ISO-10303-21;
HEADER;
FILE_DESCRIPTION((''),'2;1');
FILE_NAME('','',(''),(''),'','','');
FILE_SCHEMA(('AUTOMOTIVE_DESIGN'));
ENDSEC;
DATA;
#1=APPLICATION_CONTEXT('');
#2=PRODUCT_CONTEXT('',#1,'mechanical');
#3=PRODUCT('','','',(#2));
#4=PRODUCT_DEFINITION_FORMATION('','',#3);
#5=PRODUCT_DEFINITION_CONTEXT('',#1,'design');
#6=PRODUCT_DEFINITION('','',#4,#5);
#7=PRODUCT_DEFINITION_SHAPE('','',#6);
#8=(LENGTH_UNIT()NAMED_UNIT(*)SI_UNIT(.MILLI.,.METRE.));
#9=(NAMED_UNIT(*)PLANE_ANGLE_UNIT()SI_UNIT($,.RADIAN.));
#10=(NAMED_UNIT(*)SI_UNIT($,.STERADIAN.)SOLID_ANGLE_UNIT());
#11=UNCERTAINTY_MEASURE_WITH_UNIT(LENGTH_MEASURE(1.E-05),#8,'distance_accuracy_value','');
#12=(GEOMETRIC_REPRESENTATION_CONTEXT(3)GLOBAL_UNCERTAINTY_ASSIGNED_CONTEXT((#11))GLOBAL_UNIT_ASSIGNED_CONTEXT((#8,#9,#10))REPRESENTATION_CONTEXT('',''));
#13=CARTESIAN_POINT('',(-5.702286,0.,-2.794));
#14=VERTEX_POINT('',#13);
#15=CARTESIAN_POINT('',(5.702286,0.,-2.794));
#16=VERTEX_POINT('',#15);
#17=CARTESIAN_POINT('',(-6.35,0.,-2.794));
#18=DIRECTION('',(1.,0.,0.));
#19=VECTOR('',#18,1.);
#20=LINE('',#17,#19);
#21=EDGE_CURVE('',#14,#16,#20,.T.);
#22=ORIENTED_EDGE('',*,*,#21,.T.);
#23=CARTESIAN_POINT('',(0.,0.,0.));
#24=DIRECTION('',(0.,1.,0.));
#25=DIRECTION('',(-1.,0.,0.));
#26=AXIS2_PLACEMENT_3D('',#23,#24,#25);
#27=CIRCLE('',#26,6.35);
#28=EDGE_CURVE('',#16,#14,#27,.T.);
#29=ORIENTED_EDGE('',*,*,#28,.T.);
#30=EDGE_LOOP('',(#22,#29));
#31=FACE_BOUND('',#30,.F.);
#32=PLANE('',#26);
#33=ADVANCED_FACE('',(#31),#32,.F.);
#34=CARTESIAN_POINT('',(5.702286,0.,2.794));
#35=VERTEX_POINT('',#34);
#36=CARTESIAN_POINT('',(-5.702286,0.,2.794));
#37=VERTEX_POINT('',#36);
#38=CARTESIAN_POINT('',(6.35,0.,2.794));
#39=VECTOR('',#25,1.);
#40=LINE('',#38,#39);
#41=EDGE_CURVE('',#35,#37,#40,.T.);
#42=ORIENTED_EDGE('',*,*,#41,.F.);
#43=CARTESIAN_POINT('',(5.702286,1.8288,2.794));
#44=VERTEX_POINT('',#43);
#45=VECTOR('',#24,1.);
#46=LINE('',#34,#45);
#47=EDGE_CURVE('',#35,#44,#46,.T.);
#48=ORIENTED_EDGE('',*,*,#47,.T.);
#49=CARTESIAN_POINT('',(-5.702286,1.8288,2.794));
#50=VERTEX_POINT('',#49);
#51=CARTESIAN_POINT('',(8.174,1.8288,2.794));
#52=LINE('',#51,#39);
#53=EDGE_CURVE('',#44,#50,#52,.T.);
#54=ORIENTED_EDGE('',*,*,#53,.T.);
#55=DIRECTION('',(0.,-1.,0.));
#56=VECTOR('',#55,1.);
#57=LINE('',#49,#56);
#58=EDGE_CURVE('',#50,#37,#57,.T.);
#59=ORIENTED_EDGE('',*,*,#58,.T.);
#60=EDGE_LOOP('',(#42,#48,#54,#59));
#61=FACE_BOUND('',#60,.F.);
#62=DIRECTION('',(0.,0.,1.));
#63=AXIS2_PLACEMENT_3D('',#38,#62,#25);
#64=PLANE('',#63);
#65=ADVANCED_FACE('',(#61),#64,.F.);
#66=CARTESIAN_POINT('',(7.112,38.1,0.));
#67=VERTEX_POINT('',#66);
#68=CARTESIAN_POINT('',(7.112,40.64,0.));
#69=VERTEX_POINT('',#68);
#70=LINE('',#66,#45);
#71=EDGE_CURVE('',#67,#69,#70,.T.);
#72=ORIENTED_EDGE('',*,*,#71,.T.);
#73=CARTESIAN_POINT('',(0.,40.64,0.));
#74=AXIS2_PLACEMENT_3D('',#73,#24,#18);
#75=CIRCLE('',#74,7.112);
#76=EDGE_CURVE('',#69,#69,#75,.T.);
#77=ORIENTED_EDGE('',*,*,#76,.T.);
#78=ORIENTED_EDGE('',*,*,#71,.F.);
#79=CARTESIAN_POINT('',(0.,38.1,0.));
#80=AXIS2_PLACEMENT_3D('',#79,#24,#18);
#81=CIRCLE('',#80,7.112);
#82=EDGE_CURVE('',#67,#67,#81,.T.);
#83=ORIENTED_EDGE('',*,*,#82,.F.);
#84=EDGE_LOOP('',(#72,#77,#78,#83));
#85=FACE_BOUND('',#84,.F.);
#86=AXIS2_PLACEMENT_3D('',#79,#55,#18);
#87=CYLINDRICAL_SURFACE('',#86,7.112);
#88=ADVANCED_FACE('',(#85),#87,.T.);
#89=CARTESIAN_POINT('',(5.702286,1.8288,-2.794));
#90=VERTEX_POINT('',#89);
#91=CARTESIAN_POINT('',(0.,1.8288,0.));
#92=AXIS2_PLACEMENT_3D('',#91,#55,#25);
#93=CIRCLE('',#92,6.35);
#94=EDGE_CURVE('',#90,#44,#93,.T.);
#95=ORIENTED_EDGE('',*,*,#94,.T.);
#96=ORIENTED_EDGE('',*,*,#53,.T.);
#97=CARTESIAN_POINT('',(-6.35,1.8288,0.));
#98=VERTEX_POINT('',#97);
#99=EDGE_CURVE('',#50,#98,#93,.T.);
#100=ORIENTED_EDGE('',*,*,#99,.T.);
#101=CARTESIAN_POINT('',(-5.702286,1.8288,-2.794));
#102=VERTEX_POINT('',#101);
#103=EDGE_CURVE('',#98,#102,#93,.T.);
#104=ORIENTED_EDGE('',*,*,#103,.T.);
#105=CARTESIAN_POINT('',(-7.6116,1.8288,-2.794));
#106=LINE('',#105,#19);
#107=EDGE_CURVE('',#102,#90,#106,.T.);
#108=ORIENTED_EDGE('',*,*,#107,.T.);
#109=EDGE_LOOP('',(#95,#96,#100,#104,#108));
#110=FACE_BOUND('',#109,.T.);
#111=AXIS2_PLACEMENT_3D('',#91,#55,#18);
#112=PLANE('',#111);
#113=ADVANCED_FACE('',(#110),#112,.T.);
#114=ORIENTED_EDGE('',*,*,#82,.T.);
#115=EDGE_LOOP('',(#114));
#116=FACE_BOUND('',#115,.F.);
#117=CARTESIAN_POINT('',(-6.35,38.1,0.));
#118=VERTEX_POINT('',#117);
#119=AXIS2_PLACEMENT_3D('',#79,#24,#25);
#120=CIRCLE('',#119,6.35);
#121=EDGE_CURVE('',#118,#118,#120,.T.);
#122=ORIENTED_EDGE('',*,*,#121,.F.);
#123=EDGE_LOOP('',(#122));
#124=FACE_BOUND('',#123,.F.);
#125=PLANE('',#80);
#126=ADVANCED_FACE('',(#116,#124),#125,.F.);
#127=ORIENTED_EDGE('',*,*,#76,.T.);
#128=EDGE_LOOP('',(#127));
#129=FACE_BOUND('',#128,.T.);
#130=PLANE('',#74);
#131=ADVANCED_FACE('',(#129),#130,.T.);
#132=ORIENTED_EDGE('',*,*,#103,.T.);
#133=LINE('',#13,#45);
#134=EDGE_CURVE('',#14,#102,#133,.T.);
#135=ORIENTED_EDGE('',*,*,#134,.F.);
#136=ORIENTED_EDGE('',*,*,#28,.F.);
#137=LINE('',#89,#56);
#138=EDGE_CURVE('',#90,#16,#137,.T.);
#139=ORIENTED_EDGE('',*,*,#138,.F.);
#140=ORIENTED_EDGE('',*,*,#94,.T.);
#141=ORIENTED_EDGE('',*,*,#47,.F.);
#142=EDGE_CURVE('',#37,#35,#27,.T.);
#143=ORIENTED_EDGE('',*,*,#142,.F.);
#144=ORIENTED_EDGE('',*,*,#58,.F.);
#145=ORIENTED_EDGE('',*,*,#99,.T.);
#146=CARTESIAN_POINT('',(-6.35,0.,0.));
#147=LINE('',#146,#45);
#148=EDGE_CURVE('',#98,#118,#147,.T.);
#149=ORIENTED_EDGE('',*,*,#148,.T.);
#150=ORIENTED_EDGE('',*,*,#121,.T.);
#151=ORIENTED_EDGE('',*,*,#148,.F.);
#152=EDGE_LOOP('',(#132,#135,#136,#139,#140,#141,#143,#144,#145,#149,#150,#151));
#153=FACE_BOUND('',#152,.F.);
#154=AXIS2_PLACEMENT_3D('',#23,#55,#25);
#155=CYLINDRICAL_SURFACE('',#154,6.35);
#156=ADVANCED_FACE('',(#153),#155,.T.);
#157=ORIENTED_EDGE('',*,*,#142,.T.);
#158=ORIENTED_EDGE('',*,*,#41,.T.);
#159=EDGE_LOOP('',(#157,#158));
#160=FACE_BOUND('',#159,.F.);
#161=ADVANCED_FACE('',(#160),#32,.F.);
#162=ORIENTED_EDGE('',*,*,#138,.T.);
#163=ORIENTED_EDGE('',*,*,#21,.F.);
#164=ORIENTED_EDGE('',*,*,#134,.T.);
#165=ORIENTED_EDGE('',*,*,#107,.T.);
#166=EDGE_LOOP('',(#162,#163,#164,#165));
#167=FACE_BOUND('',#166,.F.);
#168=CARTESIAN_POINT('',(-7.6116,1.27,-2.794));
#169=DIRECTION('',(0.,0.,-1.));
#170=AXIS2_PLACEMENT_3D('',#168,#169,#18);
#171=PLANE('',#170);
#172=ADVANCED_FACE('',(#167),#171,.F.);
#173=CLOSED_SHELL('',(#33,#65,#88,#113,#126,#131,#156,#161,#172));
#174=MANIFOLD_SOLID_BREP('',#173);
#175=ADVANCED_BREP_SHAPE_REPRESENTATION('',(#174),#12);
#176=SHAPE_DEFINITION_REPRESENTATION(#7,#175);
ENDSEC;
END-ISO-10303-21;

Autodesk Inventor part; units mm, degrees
ref_plane "YZ Plane" through (0, 0, 0) normal (1, 0, 0) x (0, 1, 0)
ref_plane "XZ Plane" through (0, 0, 0) normal (0, 1, 0) x (-1, 0, 0)
ref_plane "XY Plane" through (0, 0, 0) normal (0, 0, 1) x (1, 0, 0)
sketch "Sketch1" plane through (0, 0, 0) normal (0, 1, 0) x (-1, 0, 0)
  circle A0 centre (0, 0) radius 6.35
  dimension "d0" = 12.7
extrude "Extrusion1" add sketch "Sketch1" along normal blind 38.1
sketch "Sketch2" plane through (0, 38.1, 0) normal (0, 1, 0) x (1, 0, 0)
  circle A0 centre (0, 0) radius 7.112
  dimension "d3" = 14.224
extrude "Extrusion2" add sketch "Sketch2" along normal blind 2.54
sketch "Sketch3" plane through (0, 0, 0) normal (0, -1, 0) x (1, 0, 0)
  line L0 (-6.35, -2.794) -> (6.35, -2.794)
  line L1 (6.35, -2.794) -> (6.35, 2.794)
  line L2 (6.35, 2.794) -> (-6.35, 2.794)
  line L3 (-6.35, 2.794) -> (-6.35, -2.794)
  point P0 (0, 0)
  dimension "d6" = 5.588
extrude "Extrusion3" cut sketch "Sketch3" against normal blind 1.27
sketch "Sketch4" plane through (0, 1.27, 0) normal (0, -1, 0) x (1, 0, 0)
  point P0 (0, 0)
sketch "Sketch5" plane through (0, 1.27, 0) normal (0, -1, 0) x (1, 0, 0)
  line L0 (8.174, 2.794) -> (-7.6116, 2.794)
  line L1 (-7.6116, 2.794) -> (-7.6116, -2.794)
  line L2 (-7.6116, -2.794) -> (8.174, -2.794)
  line L3 (8.174, -2.794) -> (8.174, 2.794)
  point P0 (0, 0)
extrude "Extrusion4" cut sketch "Sketch5" against normal blind 0.5588
properties part number "key ejector"
